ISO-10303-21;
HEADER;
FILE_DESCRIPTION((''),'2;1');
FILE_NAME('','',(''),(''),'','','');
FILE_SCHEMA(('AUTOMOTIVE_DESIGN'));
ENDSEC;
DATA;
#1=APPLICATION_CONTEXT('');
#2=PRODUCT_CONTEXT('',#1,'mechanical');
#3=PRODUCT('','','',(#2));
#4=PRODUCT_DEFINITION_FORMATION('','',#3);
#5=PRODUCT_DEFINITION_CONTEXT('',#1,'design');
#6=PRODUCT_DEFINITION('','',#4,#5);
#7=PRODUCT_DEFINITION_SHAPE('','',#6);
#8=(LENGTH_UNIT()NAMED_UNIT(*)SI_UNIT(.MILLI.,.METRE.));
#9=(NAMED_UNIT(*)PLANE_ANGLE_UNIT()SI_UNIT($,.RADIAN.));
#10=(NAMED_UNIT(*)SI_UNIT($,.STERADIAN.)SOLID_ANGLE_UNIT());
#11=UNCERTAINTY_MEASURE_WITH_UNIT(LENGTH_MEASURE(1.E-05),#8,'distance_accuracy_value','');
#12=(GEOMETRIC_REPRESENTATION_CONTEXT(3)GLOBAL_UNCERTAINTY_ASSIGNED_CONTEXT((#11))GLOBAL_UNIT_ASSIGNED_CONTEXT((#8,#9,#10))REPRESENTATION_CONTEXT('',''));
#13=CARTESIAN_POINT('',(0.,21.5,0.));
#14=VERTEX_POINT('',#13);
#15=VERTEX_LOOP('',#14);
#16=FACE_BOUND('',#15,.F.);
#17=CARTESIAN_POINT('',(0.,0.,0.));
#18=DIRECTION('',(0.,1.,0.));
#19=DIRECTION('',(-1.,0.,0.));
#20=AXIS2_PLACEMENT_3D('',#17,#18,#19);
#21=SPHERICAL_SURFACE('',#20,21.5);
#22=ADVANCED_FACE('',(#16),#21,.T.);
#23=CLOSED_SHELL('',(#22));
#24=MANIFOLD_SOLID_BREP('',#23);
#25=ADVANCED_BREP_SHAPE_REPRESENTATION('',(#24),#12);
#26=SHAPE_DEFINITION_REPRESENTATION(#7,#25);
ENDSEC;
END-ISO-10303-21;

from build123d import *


with BuildPart() as part:
    # Sketch1 → Revolve1 (revolve)
    with BuildSketch(Plane.XY):
        with BuildLine():
            Line((0, 21.5), (0, 16.75))
            Line((0, 16.75), (0, -16.75))
            Line((0, -16.75), (0, -21.5))
            ThreePointArc((0, -21.5), (-21.5, 0), (0, 21.5))
        make_face()
    revolve(axis=Axis((0, 105.084210526, 0), (0, -1, 0)))


solid = part.part
